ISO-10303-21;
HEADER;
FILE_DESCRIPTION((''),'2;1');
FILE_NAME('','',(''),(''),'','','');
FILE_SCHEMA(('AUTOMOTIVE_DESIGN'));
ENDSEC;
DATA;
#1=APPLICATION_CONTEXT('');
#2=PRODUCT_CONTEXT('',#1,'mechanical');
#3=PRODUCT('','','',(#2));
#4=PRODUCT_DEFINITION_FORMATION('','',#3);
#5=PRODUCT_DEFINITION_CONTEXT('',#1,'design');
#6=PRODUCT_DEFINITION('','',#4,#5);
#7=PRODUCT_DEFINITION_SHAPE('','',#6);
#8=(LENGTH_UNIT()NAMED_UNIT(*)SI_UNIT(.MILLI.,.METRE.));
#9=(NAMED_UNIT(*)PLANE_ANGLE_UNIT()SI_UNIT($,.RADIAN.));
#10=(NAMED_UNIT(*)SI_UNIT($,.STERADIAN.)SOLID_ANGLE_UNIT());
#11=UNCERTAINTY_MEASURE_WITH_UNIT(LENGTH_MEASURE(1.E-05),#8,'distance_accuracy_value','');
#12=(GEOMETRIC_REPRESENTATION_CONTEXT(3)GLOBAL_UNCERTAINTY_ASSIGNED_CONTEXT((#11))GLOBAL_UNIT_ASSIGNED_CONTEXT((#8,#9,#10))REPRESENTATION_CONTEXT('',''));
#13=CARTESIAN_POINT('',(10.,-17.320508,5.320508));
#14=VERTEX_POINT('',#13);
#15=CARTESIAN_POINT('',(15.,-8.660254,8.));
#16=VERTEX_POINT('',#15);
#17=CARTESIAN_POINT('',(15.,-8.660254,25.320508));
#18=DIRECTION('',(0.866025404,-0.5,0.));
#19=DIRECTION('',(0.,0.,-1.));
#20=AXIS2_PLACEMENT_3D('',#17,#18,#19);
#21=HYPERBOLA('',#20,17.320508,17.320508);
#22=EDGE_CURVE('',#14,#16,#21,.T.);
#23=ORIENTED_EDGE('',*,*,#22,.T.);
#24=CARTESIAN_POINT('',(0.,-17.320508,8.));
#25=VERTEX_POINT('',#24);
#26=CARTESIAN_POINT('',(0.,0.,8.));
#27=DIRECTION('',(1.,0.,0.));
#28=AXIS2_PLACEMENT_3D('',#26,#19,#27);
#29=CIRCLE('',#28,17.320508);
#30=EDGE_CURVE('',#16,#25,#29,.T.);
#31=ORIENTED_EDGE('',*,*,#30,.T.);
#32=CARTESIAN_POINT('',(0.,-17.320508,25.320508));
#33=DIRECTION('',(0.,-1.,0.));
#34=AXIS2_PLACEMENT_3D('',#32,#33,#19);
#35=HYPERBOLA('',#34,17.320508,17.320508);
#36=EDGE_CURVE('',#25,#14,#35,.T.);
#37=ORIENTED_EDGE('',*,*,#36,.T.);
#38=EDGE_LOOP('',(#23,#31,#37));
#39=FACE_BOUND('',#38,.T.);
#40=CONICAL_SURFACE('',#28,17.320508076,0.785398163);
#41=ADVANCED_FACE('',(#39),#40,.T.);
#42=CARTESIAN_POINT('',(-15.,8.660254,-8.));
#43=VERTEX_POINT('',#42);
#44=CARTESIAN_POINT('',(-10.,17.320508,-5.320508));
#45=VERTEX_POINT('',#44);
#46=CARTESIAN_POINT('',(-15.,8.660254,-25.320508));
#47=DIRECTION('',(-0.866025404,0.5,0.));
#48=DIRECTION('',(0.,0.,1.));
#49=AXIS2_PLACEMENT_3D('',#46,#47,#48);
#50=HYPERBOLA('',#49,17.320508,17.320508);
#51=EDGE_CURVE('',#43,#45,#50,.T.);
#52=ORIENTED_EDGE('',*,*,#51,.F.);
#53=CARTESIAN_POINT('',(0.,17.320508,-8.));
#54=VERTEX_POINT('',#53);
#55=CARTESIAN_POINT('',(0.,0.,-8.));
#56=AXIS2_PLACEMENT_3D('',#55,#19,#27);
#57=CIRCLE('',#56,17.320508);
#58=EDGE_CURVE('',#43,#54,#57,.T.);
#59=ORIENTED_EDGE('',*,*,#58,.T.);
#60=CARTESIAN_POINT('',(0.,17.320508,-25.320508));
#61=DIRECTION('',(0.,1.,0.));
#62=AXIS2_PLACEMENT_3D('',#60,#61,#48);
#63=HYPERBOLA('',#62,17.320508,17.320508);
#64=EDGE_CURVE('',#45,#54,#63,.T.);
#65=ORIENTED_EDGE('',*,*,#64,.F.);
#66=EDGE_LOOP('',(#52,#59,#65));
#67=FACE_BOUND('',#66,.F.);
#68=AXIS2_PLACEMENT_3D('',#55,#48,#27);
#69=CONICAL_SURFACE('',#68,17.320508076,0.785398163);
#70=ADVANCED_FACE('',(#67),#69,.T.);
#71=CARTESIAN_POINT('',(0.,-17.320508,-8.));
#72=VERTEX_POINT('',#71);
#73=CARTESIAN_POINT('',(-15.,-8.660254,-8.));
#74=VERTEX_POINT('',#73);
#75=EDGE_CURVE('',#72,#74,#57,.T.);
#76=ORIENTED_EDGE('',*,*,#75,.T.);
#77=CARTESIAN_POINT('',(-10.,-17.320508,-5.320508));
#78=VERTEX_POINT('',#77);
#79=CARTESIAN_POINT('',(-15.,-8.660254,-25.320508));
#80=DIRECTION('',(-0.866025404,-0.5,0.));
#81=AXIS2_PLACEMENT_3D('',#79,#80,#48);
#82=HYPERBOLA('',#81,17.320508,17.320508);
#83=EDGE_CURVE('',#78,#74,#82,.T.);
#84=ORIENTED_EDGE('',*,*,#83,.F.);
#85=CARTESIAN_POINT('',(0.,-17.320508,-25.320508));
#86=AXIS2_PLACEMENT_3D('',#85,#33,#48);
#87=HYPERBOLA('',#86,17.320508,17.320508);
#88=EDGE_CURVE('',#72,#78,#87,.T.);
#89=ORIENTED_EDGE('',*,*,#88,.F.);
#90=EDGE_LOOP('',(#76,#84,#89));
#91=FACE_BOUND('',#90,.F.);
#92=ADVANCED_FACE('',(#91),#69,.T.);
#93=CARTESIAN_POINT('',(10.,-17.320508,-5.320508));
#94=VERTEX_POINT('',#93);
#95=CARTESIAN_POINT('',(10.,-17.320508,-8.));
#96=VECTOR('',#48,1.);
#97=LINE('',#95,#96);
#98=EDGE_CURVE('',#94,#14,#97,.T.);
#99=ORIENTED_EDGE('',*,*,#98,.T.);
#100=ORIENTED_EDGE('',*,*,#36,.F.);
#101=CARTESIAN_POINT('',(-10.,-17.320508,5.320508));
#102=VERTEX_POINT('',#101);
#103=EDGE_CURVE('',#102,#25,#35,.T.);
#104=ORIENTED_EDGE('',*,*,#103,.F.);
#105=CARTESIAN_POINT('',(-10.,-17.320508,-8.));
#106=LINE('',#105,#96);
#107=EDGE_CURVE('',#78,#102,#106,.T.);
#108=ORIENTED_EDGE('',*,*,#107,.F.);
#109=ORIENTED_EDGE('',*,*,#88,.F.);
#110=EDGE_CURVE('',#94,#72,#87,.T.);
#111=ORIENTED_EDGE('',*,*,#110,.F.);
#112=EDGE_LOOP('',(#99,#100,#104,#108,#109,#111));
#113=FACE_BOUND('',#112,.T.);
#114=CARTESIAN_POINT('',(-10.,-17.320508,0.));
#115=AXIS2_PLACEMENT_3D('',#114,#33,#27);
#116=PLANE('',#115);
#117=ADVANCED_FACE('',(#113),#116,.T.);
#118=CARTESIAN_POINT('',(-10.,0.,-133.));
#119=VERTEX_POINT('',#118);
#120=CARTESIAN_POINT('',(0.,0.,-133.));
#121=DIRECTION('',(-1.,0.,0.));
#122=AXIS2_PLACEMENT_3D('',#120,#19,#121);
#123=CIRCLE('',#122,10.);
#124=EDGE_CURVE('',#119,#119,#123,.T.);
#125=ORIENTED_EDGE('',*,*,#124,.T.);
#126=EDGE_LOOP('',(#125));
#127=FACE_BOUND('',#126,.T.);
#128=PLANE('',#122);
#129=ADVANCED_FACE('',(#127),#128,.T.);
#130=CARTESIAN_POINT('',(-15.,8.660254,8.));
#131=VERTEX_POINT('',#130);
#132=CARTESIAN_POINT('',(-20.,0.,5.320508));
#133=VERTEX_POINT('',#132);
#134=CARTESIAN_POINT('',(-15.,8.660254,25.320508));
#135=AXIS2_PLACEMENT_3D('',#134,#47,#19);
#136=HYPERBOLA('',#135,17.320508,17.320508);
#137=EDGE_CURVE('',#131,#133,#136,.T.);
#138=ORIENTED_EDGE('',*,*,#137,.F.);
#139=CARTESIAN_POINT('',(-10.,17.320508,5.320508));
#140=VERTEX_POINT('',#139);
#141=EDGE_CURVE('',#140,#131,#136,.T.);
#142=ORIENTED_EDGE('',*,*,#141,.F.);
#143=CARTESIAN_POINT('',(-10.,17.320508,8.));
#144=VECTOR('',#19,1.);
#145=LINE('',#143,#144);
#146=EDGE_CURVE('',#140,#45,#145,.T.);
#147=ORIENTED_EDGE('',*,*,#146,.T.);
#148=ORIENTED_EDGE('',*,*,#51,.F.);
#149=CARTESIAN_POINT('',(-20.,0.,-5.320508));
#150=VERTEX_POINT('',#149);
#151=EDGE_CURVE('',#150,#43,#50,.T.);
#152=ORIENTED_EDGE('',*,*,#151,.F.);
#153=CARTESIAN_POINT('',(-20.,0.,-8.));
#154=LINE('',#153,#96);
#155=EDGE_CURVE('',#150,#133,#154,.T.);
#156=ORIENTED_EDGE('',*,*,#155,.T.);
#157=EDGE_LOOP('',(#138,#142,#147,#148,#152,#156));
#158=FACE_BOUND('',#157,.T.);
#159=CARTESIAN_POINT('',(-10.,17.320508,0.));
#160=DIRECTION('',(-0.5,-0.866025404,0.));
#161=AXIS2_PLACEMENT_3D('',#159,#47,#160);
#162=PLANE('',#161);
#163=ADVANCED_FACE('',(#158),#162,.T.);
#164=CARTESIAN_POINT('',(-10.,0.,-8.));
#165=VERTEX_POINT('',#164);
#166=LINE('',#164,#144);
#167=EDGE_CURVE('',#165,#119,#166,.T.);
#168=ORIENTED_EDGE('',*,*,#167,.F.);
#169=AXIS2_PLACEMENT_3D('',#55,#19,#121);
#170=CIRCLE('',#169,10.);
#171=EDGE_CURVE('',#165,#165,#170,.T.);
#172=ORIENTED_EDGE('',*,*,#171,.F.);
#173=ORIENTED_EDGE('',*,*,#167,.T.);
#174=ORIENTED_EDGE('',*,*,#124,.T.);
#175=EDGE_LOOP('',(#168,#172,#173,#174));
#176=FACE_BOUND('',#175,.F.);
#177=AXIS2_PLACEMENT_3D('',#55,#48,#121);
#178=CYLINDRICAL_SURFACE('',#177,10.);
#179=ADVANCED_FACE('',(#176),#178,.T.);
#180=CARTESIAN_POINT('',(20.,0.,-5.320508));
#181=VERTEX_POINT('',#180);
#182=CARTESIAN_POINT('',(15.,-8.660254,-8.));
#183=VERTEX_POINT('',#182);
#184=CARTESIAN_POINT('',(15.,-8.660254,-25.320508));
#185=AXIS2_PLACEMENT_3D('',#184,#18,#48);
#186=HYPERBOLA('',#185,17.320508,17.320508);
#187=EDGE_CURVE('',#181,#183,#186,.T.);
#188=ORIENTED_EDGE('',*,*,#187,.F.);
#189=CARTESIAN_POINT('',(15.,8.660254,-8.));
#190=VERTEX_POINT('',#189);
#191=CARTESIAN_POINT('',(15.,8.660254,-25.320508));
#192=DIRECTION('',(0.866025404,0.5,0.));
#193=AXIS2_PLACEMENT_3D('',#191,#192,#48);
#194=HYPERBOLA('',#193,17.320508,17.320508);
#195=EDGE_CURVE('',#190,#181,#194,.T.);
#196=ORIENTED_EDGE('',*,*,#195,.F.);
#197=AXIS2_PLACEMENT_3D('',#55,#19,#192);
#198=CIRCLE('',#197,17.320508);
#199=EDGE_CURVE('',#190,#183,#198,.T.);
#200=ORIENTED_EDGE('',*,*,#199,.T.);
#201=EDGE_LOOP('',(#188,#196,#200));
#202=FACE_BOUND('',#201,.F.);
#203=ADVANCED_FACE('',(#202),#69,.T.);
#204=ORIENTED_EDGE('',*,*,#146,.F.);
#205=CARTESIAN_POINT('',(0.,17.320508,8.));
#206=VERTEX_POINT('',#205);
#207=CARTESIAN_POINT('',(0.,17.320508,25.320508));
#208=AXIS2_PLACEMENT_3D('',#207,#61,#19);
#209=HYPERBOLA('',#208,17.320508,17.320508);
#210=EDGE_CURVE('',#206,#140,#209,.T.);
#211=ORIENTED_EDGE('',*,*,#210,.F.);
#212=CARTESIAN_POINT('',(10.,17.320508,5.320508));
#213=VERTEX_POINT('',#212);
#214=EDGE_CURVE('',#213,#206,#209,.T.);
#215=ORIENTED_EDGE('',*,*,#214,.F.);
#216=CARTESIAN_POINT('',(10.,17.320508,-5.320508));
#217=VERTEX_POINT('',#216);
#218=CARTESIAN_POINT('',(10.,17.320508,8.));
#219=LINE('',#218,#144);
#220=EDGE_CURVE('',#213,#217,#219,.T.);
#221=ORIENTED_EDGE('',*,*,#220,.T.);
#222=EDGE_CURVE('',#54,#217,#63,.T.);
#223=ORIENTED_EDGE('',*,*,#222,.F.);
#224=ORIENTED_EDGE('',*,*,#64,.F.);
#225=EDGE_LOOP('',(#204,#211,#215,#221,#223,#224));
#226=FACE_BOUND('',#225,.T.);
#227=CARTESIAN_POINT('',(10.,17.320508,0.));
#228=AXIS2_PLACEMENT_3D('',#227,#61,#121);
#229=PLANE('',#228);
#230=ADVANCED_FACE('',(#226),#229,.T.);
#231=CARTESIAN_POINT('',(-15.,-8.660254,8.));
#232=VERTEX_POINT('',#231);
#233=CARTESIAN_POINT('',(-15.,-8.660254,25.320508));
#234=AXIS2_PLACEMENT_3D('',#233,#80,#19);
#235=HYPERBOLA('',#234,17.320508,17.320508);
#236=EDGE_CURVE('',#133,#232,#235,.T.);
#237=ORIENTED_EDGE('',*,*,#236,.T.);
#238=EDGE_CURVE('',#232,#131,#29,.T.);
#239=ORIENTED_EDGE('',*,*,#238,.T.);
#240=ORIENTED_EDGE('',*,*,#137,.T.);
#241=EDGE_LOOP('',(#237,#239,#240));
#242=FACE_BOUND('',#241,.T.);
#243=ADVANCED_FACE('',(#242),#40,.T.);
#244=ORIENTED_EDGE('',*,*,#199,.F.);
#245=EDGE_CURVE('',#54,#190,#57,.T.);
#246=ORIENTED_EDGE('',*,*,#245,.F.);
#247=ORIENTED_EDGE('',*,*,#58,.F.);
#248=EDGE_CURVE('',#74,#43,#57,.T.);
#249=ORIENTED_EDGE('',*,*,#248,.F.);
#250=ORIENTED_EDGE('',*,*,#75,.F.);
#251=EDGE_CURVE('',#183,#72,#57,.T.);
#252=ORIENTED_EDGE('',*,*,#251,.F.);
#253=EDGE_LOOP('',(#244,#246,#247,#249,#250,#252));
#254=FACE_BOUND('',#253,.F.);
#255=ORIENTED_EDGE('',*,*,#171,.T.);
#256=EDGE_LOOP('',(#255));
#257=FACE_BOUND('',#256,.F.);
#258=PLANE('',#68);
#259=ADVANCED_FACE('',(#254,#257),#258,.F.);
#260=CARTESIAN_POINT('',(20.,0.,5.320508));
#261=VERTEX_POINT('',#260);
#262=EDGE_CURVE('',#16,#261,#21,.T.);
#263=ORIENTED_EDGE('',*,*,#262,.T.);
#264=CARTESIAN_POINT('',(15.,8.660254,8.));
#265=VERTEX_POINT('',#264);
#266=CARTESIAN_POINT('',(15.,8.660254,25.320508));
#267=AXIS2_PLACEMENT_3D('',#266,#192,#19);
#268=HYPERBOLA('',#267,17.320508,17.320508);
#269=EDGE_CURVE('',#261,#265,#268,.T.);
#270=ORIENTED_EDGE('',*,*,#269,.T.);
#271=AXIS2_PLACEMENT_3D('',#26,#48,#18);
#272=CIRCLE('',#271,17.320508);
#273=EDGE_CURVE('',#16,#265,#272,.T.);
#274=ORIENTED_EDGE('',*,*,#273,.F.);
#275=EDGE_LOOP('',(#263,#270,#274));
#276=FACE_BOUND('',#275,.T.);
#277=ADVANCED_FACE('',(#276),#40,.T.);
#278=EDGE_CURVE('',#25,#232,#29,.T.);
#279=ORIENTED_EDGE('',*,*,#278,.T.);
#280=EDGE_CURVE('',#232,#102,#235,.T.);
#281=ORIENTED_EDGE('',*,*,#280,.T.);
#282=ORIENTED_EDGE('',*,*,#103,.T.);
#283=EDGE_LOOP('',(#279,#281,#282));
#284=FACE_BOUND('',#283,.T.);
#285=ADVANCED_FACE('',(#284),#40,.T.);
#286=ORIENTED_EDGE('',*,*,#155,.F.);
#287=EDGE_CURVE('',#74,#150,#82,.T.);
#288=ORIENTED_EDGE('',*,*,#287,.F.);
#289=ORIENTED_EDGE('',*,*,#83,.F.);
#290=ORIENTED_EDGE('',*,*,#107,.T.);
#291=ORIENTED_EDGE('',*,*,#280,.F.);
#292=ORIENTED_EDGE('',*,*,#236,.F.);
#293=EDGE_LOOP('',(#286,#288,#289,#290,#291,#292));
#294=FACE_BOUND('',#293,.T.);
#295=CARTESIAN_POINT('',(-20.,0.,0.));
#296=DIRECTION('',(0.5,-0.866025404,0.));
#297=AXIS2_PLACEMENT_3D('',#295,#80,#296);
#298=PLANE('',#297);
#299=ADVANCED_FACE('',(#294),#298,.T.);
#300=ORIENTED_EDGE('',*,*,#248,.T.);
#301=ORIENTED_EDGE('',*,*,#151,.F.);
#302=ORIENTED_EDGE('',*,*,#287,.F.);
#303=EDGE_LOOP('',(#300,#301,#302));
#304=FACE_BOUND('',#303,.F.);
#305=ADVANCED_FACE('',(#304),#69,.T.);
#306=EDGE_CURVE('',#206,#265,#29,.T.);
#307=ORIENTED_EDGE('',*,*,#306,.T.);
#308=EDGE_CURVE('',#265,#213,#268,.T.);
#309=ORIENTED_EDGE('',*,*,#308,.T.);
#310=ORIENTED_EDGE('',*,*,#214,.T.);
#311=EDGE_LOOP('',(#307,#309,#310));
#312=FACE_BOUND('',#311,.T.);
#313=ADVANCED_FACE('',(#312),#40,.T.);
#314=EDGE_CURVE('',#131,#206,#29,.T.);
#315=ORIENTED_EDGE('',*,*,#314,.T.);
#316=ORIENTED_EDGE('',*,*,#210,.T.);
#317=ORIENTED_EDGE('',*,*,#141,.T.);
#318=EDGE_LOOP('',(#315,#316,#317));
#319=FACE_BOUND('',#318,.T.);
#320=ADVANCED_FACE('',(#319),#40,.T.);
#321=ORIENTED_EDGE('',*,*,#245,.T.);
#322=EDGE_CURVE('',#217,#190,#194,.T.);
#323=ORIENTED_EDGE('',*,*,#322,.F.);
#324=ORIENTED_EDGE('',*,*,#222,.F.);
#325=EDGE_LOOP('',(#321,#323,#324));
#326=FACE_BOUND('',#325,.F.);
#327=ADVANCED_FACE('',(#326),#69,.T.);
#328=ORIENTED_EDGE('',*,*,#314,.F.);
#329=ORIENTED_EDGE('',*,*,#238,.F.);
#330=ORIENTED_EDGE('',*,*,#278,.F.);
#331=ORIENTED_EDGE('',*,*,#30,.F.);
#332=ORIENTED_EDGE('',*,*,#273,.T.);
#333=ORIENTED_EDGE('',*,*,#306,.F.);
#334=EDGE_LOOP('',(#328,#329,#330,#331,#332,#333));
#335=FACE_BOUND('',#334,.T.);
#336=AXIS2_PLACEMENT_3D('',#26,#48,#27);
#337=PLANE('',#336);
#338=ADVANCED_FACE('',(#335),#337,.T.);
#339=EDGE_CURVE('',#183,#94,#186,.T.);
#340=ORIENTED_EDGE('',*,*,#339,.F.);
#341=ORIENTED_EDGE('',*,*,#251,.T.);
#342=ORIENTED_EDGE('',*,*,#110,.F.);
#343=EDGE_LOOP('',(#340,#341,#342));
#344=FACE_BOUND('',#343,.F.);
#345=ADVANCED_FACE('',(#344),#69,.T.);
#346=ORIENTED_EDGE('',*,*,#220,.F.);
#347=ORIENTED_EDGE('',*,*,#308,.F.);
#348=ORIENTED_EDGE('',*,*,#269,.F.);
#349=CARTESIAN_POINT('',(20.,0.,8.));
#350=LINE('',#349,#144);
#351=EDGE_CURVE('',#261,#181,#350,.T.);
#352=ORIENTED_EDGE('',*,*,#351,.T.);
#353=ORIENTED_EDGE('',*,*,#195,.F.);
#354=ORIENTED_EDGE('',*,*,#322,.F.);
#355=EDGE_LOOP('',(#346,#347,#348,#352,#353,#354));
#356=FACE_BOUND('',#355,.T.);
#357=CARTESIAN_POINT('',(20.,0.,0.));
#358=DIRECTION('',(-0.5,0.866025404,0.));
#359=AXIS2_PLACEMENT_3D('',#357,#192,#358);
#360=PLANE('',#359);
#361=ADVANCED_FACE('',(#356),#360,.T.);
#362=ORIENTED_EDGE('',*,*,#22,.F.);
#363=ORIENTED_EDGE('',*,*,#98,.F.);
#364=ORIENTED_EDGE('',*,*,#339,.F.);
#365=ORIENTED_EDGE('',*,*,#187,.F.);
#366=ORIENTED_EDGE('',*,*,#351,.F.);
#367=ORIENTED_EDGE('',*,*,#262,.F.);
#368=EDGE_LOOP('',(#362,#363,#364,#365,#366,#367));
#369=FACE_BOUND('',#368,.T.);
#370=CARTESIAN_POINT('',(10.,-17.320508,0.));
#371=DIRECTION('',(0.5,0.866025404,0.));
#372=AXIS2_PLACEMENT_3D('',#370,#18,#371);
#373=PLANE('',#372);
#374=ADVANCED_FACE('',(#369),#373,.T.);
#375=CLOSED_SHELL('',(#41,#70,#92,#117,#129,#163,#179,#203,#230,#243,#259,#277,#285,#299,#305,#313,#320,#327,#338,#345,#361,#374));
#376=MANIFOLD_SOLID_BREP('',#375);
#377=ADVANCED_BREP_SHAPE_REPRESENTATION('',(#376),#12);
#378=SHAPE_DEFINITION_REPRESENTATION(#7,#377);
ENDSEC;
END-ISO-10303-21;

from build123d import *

# Parameters (mm, degrees)
BOSS_EXTRUDE1_DEPTH = 8
SKETCH2_OUTSIDE_W   = 87.056
SKETCH2_OUTSIDE_H   = 81.698
SKETCH2_OUTSIDE_R   = 17.320508076
CUT_EXTRUDE1_DEPTH  = 17
CUT_EXTRUDE1_TAPER  = 45
SKETCH3_R           = 10
BOSS_EXTRUDE2_DEPTH = 125


with BuildPart() as part:
    # Sketch1 → Boss-Extrude1 (new body, symmetric)
    with BuildSketch(Plane.XY):
        Polygon((-10, 17.320508076), (-20, 0), (-10, -17.320508076), (10, -17.320508076), (20, 0), (10, 17.320508076), align=None)
    extrude(amount=BOSS_EXTRUDE1_DEPTH, both=True)

    # Sketch2 outside → Cut-Extrude1 (cut, through all)
    with BuildSketch(Plane.XY.offset(8)):
        Rectangle(SKETCH2_OUTSIDE_W, SKETCH2_OUTSIDE_H)
        Circle(SKETCH2_OUTSIDE_R, mode=Mode.SUBTRACT)
    cut_extrude1 = extrude(amount=-CUT_EXTRUDE1_DEPTH, taper=CUT_EXTRUDE1_TAPER, mode=Mode.SUBTRACT)

    # Mirror1: Cut-Extrude1 across plane
    add(cut_extrude1.mirror(Plane.XY), mode=Mode.SUBTRACT)

    # Sketch3 → Boss-Extrude2 (add)
    with BuildSketch(Plane(origin=(0, 0, -8), x_dir=(-1, 0, 0), z_dir=(0, 0, -1))):
        Circle(SKETCH3_R)
    extrude(amount=BOSS_EXTRUDE2_DEPTH)


solid = part.part
